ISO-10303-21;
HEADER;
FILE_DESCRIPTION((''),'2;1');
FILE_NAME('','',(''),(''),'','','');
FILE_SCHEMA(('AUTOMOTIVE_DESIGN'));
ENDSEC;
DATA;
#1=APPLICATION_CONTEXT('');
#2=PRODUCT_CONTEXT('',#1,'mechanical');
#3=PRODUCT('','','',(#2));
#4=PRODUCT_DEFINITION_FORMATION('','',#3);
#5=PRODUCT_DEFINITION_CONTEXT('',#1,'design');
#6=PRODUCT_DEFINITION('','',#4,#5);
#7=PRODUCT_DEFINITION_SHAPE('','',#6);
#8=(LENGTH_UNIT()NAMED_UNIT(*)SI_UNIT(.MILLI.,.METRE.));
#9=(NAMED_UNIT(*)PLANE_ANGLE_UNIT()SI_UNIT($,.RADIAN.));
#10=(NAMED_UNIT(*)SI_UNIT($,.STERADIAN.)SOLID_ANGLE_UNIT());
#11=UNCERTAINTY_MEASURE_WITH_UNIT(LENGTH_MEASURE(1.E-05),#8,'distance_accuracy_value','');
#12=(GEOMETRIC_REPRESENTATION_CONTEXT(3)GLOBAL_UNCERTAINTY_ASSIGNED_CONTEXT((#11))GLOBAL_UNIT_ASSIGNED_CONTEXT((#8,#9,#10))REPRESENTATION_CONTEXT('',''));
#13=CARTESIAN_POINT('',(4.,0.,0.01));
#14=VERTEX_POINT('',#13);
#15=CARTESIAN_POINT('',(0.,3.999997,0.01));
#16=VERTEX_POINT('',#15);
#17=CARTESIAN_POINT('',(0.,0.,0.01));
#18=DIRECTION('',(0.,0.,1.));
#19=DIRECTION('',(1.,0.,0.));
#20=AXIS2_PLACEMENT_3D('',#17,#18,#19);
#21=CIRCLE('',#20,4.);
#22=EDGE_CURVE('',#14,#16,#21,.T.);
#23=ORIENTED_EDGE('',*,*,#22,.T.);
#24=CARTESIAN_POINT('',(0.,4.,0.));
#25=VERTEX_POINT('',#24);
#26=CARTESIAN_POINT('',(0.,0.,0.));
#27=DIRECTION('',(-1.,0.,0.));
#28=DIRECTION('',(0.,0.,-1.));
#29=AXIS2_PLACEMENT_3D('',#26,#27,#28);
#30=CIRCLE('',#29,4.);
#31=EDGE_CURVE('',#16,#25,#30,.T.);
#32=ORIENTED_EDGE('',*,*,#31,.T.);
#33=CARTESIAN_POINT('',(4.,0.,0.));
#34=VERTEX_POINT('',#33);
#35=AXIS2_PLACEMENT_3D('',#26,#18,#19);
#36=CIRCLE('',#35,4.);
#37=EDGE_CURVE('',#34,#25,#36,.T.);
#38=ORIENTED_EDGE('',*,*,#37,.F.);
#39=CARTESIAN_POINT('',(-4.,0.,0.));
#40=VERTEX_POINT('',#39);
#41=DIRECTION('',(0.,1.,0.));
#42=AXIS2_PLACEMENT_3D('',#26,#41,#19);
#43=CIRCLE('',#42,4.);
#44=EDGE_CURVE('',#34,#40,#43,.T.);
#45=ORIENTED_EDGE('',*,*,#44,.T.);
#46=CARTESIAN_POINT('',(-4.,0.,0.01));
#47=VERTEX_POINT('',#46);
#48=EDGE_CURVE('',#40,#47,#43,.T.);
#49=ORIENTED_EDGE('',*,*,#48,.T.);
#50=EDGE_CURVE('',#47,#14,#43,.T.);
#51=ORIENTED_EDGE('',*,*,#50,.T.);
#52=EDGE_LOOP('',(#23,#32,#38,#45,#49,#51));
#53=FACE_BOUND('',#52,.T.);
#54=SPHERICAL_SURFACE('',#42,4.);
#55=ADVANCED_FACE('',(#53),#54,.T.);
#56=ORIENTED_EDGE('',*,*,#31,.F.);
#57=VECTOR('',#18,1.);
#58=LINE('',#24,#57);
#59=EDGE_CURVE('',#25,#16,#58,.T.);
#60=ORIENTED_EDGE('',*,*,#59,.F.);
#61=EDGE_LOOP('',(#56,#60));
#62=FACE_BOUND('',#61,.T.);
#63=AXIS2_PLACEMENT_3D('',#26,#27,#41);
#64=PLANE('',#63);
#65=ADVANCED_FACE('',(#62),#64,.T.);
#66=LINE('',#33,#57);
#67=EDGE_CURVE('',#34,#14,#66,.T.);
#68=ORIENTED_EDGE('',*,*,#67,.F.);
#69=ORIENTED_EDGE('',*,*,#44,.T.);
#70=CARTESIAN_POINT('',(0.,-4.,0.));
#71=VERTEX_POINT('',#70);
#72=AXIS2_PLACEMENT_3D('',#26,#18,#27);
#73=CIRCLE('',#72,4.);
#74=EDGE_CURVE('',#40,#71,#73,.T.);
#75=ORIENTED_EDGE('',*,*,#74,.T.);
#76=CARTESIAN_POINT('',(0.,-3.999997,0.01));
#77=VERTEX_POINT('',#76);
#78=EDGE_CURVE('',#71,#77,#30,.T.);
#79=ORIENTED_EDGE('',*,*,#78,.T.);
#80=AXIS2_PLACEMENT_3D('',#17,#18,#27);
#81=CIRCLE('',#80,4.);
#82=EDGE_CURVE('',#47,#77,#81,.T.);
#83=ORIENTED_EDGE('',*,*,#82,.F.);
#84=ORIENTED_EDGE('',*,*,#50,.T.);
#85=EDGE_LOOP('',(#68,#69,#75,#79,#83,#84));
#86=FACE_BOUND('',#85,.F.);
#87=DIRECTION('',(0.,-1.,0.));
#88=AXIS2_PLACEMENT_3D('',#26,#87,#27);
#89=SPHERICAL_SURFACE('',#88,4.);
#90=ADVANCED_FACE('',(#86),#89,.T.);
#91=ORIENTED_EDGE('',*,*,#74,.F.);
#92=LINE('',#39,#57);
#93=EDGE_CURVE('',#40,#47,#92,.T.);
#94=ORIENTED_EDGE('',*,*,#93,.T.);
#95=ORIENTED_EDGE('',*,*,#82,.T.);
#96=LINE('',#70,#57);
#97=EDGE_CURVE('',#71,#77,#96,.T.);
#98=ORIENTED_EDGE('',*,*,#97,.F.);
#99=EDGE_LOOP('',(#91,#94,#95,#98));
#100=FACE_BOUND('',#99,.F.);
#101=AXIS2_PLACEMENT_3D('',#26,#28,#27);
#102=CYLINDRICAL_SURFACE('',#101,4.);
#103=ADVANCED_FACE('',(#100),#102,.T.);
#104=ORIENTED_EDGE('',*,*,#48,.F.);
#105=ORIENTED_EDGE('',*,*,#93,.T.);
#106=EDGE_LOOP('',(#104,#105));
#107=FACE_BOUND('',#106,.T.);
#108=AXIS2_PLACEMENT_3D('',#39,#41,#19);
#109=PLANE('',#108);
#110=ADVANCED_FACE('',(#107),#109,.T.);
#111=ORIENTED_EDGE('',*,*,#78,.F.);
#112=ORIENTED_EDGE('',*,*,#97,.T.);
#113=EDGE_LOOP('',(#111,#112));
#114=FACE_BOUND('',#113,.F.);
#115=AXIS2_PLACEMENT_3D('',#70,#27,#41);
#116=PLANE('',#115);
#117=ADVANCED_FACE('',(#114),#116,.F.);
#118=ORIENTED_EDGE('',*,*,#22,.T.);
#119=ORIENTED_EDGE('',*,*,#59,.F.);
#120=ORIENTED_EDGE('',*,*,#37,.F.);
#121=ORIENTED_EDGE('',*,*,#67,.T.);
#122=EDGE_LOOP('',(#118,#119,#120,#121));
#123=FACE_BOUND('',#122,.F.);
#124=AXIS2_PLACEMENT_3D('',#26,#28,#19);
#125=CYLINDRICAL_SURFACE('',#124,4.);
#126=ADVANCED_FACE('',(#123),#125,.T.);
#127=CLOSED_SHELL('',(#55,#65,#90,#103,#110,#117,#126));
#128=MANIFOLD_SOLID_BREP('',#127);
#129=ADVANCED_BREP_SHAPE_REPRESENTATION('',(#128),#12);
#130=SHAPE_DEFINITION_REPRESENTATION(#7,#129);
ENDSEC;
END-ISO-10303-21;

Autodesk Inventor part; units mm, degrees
ref_plane "YZ Plane" through (0, 0, 0) normal (1, 0, 0) x (0, 1, 0)
ref_plane "XZ Plane" through (0, 0, 0) normal (0, 1, 0) x (-1, 0, 0)
ref_plane "XY Plane" through (0, 0, 0) normal (0, 0, 1) x (1, 0, 0)
sketch "Sketch3" plane through (0, 0, 0) normal (0, 0, 1) x (1, 0, 0)
  arc A0 (4, 0) -> (0, 4) centre (0, 0) ccw
  line L0 (0, 0) -> (4, 0)
  arc A1 (-4, 0) -> (0, -4) centre (0, 0) ccw
  line L1 (-4, 0) -> (0, 0)
  line L2 (0, -6.7598) -> (0, 6.7598) projected
  point P0 (0, 4)
  dimension "d8" = 4
  dimension "d9" = 4
extrude "Extrusion2" add sketch "Sketch3" along normal blind 0.01
revolve "Revolution1" add sketch "Sketch3" angle 360 about axis through (0, -10, 0) along (0, 1, 0) contours L0 L2 A0
revolve "Revolution3" add sketch "Sketch3" angle 360 about axis through (0, -10, 0) along (0, 1, 0) contours L2 A1 L1
properties part number "Ball" material "Steel, Alloy"
